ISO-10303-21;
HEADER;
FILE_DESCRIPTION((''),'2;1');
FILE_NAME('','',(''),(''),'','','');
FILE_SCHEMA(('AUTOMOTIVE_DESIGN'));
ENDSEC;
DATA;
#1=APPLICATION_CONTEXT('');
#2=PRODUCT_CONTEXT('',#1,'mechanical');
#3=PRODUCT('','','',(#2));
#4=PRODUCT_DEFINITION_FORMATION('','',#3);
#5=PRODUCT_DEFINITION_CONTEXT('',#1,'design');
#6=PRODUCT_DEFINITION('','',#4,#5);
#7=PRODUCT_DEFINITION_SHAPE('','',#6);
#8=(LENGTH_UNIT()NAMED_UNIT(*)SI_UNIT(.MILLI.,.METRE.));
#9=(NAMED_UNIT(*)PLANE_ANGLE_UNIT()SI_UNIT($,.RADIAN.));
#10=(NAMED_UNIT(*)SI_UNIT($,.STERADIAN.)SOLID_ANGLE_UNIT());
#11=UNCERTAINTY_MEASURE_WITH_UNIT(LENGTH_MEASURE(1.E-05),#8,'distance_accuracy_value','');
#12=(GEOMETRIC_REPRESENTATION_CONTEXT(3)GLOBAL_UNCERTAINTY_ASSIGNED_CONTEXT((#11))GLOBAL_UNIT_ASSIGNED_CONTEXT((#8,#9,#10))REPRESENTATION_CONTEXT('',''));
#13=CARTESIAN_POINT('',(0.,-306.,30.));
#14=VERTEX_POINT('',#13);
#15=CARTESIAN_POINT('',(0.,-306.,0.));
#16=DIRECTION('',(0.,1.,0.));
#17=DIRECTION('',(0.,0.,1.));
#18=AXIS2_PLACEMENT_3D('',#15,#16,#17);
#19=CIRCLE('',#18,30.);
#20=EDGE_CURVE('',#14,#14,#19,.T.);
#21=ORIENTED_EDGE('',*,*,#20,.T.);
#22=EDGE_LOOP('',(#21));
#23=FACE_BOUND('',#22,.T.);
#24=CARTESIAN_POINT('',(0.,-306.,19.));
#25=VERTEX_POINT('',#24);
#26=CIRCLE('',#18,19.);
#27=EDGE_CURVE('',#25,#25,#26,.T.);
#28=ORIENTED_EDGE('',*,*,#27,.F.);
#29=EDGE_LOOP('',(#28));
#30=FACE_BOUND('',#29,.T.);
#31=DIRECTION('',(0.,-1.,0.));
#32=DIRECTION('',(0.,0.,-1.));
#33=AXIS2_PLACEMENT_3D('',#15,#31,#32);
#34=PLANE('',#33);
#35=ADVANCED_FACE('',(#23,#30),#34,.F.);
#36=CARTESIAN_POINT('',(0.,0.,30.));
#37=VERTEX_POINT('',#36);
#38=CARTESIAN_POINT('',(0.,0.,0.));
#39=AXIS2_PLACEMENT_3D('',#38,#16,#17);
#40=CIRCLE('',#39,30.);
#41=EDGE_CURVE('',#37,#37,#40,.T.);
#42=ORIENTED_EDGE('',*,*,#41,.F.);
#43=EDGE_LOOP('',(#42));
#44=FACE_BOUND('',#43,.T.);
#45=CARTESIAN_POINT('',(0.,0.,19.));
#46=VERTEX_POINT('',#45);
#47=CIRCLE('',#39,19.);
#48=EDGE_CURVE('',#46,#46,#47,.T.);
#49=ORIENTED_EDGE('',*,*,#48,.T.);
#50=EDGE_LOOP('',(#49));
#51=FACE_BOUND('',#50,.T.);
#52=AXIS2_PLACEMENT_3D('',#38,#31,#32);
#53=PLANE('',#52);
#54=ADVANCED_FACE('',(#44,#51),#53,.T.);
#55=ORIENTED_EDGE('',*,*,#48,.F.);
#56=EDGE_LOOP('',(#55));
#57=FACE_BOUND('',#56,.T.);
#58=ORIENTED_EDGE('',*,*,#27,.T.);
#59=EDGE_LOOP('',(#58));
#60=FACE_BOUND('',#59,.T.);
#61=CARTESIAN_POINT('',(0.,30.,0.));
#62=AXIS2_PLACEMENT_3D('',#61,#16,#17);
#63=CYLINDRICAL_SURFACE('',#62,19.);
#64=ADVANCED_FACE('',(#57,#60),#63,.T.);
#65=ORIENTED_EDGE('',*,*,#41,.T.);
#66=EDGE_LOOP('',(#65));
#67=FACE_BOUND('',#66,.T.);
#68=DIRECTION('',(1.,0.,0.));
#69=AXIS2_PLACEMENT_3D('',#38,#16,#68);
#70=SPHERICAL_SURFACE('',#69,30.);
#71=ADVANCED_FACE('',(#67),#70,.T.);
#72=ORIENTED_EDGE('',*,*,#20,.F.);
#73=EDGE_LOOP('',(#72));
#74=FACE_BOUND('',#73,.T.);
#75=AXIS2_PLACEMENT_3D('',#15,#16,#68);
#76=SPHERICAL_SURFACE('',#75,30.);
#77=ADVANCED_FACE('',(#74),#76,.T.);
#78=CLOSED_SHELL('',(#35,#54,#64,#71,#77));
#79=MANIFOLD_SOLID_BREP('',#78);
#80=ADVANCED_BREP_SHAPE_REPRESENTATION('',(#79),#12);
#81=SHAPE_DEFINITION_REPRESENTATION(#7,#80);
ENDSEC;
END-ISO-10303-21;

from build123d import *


with BuildPart() as part:
    # Sketch1 → Revolve4 (revolve)
    with BuildSketch(Plane.XY, mode=Mode.PRIVATE) as revolve4_sk:
        with BuildLine():
            ThreePointArc((0, -336), (-21.213203436, -327.213203436), (-30, -306))
            Line((-30, -306), (-19, -306))
            Line((-19, -306), (-19, 0))
            Line((-19, 0), (-30, 0))
            ThreePointArc((-30, 0), (-21.213203436, 21.213203436), (0, 30))
            Line((0, 30), (0, -336))
        make_face()
    revolve(revolve4_sk.sketch.rotate(Axis((0, 30, 0), (0, -1, 0)), 180), axis=Axis((0, 30, 0), (0, -1, 0)))


solid = part.part
